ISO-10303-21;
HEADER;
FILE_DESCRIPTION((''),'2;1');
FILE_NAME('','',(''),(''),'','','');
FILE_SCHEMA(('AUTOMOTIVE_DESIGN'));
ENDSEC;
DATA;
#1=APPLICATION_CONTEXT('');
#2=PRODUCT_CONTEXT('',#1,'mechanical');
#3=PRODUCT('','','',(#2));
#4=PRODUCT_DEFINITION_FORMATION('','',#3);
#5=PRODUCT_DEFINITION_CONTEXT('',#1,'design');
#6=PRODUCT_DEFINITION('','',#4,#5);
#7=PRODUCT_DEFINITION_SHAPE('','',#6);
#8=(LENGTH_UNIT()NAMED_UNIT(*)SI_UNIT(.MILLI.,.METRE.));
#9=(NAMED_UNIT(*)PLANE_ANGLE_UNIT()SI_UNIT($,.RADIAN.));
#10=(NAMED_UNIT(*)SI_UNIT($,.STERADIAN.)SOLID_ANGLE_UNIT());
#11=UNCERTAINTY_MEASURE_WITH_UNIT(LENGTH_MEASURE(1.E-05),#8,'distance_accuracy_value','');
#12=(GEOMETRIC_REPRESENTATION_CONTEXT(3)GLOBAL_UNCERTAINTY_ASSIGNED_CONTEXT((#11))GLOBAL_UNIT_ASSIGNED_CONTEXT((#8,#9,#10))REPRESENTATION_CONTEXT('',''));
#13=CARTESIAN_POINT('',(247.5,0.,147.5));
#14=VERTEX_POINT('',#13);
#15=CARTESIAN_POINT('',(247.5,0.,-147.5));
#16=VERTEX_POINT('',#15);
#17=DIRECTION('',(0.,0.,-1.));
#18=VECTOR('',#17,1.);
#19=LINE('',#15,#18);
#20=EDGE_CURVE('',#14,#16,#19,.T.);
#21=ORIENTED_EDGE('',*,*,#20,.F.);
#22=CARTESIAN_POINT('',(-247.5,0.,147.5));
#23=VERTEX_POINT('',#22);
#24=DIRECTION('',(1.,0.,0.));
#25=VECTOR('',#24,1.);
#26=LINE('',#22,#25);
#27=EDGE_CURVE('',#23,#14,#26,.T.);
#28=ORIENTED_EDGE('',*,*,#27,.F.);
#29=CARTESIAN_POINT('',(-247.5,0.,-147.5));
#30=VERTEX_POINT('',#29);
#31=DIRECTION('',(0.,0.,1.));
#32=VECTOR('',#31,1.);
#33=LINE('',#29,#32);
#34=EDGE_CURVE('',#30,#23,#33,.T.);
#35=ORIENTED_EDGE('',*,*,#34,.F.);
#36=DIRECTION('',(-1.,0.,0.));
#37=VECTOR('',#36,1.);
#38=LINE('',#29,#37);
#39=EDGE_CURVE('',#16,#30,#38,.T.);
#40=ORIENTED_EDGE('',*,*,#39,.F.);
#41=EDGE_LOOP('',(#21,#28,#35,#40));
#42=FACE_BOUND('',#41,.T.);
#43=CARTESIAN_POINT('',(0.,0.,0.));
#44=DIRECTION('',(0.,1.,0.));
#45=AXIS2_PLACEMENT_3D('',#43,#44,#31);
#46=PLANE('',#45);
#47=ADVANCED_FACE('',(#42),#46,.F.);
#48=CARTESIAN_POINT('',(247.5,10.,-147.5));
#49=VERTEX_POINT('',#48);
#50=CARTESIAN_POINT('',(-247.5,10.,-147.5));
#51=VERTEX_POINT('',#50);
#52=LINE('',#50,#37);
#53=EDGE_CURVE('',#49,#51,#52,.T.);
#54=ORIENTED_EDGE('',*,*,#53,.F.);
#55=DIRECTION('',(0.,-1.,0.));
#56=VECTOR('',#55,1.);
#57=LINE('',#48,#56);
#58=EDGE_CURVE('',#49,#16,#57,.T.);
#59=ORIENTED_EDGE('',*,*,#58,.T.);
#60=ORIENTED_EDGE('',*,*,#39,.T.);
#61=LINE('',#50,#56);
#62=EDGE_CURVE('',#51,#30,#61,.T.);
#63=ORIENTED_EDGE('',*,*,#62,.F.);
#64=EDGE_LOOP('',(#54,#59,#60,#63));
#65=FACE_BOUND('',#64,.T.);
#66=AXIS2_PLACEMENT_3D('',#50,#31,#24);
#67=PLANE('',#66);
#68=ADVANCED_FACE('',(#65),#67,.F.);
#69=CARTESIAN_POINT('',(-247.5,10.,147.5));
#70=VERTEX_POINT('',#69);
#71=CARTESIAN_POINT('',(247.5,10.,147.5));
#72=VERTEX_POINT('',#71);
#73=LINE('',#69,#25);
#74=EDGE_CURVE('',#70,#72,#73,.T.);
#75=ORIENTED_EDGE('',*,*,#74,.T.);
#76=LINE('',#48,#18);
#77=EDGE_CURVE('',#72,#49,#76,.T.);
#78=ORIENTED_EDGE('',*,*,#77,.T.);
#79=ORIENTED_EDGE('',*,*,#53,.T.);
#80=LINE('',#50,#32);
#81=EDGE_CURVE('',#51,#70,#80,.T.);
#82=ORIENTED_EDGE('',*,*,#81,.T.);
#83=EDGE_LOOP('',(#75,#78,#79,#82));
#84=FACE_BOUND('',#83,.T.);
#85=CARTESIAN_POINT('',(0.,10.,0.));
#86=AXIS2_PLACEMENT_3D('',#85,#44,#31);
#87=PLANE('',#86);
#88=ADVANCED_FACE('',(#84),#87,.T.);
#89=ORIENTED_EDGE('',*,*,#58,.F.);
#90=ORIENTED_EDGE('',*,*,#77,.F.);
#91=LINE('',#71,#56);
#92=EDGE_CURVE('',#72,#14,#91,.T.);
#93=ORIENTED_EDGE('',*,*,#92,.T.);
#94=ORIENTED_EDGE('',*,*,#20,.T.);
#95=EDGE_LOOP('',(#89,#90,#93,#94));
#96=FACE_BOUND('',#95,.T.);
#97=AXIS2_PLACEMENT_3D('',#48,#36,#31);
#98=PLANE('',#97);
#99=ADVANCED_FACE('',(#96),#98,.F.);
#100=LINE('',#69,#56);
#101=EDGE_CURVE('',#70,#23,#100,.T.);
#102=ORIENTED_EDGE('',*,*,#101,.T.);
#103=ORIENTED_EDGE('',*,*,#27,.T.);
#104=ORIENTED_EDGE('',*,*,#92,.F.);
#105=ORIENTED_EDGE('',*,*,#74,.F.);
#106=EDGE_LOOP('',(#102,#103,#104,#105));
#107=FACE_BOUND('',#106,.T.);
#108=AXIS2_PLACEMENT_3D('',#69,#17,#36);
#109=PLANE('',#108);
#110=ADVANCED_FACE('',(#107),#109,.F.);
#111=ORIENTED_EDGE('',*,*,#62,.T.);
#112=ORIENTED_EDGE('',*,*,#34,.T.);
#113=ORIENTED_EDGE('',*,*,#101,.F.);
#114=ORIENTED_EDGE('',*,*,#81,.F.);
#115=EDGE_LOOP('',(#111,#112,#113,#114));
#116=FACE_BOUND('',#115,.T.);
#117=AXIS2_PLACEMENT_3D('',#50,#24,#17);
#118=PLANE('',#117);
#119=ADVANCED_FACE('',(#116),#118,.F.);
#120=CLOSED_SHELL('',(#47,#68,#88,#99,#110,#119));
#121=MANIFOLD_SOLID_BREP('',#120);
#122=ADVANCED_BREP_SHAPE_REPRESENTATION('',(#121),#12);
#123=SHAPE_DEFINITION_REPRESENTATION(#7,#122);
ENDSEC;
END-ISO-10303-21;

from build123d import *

# Parameters (mm, degrees)
CROQUIS1_W              = 495
CROQUIS1_H              = 295
SALIENTE_EXTRUIR1_DEPTH = 10


with BuildPart() as part:
    # Croquis1 → Saliente-Extruir1 (new body)
    with BuildSketch(Plane(origin=(0, 0, 0), x_dir=(1, 0, 0), z_dir=(0, 1, 0))):
        Rectangle(CROQUIS1_W, CROQUIS1_H)
    extrude(amount=SALIENTE_EXTRUIR1_DEPTH)


solid = part.part
